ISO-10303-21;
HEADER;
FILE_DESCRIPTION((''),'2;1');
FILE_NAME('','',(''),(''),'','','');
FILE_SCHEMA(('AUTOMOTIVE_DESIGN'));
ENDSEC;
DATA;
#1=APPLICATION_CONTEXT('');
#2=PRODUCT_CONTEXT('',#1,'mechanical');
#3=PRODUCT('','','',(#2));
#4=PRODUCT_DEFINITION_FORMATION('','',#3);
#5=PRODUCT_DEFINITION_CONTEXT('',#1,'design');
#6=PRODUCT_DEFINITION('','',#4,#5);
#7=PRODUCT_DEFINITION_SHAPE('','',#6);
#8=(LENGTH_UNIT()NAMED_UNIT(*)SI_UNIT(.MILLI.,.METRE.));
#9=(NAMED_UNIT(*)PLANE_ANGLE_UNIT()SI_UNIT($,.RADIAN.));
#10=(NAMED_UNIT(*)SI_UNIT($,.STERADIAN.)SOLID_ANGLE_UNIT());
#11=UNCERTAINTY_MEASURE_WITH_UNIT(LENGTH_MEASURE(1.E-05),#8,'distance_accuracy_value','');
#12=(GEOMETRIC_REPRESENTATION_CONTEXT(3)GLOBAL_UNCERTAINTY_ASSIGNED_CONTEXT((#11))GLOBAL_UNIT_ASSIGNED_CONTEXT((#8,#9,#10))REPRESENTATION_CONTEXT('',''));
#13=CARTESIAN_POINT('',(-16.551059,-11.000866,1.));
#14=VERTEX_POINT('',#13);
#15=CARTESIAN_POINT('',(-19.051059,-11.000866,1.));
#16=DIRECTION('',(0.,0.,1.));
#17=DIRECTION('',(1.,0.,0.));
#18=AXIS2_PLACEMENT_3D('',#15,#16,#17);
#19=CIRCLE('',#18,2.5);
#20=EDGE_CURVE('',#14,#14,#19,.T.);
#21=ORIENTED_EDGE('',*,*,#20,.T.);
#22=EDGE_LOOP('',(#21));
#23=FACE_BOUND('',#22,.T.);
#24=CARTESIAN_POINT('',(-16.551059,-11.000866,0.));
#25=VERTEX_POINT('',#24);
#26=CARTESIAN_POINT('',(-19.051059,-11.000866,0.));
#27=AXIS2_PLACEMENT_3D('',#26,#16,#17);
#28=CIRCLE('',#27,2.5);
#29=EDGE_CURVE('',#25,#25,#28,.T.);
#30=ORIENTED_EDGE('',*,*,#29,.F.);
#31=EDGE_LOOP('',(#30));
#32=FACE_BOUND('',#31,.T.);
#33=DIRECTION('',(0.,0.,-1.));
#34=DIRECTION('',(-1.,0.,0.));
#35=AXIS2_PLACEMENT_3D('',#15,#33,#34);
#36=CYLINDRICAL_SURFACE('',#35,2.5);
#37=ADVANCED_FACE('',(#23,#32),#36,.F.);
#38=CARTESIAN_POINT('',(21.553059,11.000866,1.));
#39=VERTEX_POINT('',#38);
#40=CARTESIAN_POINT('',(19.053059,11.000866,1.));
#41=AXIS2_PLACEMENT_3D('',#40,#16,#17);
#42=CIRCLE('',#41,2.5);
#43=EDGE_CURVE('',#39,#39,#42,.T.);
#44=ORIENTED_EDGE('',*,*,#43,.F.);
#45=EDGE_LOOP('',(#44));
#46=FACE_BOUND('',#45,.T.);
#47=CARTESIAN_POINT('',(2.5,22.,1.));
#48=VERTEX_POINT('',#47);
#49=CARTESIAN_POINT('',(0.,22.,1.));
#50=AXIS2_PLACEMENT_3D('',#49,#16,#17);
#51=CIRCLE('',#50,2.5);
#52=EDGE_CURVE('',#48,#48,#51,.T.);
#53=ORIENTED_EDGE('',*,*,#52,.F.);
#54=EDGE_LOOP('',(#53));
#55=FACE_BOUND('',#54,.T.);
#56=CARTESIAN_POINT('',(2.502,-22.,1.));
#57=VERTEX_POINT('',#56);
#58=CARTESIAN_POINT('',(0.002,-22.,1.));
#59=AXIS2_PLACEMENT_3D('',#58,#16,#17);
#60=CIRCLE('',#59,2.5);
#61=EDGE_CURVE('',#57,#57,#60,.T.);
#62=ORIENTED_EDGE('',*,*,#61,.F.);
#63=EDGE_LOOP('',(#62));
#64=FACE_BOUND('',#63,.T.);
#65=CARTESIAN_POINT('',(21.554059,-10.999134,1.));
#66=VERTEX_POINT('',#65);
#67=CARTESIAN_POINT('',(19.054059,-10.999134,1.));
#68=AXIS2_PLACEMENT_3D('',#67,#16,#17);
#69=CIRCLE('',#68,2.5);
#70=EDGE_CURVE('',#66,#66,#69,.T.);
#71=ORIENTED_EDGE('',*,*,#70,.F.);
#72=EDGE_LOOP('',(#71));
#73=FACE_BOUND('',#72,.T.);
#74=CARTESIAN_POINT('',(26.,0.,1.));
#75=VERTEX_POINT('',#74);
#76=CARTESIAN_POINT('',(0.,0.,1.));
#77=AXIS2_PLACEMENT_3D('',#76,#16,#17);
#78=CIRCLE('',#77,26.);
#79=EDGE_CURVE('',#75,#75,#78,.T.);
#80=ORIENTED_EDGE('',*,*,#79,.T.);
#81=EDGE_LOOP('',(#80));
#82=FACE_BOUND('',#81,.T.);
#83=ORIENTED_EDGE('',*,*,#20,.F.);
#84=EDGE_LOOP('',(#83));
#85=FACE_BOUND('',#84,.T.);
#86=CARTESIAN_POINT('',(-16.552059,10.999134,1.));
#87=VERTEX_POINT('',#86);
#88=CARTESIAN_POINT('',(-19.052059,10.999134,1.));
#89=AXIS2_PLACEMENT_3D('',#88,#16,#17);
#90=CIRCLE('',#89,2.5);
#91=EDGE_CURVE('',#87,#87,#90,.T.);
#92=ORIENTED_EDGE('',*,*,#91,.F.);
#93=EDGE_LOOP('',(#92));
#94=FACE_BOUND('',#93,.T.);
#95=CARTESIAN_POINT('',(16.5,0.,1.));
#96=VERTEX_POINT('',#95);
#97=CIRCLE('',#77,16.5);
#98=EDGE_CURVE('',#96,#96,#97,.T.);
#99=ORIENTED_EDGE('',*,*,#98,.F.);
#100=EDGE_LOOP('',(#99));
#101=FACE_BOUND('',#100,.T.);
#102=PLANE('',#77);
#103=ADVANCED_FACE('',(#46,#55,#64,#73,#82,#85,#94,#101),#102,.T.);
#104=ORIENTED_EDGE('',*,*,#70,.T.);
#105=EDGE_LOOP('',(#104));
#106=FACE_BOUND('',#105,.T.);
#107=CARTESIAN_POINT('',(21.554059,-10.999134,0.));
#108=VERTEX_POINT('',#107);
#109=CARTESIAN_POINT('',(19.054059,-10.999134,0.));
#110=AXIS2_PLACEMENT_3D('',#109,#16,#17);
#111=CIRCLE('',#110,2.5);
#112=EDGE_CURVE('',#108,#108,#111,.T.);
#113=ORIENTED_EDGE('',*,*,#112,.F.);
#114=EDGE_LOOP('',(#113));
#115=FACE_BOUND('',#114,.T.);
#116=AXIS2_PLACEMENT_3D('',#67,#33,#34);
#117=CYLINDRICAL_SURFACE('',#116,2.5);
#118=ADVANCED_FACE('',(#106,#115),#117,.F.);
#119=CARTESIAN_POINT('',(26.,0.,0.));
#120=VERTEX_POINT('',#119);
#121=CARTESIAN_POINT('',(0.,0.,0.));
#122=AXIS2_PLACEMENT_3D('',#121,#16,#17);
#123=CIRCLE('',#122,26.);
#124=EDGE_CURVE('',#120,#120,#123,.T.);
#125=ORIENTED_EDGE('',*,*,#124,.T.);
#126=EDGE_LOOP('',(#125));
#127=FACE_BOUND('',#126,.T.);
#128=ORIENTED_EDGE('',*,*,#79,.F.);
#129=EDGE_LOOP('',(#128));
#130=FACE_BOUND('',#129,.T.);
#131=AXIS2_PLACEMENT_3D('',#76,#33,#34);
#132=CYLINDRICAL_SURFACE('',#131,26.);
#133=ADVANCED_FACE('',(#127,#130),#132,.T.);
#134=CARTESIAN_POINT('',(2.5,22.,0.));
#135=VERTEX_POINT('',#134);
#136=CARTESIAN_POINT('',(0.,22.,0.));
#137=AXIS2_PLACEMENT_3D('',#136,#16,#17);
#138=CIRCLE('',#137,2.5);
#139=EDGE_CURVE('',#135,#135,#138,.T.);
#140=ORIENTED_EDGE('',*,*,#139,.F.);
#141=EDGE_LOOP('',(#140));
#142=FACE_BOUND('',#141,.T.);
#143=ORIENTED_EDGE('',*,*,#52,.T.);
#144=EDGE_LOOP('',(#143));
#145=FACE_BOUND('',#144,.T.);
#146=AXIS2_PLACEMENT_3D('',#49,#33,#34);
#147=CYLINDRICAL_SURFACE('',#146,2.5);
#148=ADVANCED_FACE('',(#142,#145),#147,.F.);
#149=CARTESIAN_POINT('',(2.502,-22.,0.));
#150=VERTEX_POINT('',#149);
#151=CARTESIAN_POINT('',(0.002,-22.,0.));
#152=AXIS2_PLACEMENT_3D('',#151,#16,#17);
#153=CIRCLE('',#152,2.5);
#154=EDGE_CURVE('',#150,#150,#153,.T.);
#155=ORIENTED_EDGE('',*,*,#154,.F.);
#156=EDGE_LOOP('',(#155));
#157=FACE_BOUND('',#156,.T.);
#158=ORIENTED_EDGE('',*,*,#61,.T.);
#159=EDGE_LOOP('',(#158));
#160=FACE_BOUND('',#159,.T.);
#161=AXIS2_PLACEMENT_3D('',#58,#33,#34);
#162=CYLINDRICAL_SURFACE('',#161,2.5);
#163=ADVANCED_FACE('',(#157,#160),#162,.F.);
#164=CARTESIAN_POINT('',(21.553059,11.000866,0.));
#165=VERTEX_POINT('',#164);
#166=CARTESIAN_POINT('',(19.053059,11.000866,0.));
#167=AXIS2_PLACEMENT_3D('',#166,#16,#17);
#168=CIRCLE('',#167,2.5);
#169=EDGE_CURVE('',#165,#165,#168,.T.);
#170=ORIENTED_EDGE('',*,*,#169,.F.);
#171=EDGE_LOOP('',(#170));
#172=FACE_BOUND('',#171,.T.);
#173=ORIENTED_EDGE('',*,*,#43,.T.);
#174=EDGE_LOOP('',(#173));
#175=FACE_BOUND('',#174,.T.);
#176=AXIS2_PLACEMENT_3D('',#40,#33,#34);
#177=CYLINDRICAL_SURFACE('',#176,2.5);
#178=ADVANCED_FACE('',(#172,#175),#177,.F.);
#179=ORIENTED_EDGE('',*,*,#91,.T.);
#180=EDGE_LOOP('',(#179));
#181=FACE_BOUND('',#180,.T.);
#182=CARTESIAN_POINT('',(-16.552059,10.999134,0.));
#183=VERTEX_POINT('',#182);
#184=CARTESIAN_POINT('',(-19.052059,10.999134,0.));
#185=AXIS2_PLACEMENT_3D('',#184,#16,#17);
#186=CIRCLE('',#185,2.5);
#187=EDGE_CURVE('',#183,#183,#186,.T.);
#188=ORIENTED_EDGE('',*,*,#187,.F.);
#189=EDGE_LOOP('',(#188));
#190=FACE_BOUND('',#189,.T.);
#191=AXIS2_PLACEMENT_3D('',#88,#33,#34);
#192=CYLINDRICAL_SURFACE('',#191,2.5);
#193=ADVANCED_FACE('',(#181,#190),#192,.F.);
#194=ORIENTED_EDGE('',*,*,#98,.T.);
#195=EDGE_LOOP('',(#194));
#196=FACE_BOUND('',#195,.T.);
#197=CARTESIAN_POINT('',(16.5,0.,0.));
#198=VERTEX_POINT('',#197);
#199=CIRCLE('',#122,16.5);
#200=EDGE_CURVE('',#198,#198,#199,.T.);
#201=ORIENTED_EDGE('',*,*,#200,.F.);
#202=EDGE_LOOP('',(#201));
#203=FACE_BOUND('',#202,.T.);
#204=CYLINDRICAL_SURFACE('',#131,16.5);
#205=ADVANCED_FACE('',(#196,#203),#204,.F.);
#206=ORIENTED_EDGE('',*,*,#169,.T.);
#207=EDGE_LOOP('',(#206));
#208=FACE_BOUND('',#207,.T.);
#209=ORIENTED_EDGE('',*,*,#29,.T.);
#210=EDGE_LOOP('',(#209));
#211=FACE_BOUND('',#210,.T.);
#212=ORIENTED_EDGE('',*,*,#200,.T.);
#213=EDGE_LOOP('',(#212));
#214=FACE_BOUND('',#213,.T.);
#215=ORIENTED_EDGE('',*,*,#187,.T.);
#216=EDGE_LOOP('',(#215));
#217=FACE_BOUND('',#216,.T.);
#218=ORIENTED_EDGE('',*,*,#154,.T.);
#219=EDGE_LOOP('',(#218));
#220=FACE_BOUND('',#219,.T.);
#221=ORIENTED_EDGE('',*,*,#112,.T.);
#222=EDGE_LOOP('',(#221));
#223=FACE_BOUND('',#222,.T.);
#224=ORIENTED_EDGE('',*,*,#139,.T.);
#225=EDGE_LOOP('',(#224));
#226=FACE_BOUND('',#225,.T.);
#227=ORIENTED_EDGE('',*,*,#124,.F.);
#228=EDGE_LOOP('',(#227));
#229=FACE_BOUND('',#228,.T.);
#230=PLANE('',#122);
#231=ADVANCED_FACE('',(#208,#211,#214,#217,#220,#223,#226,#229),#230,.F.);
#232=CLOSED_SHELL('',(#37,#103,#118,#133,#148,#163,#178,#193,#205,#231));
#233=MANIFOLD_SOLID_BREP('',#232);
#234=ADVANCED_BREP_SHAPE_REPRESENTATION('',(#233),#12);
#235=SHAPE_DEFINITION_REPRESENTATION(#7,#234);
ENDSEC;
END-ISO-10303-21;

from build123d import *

# Parameters (mm, degrees)
ESQUISSE1_R        = 26
ESQUISSE1_R_2      = 2.5
ESQUISSE1_R_3      = 16.5
BOSS_EXTRU_1_DEPTH = 1


with BuildPart() as part:
    # Esquisse1 → Boss.-Extru.1 (new body)
    with BuildSketch(Plane.XY):
        Circle(ESQUISSE1_R)
        with Locations((0, 22)):
            Circle(ESQUISSE1_R_2, mode=Mode.SUBTRACT)
        with Locations((19.053058883, 11.000866025)):
            Circle(ESQUISSE1_R_2, mode=Mode.SUBTRACT)
        with Locations((19.054058883, -10.999133975)):
            Circle(ESQUISSE1_R_2, mode=Mode.SUBTRACT)
        with Locations((0.002, -22)):
            Circle(ESQUISSE1_R_2, mode=Mode.SUBTRACT)
        with Locations((-19.051058883, -11.000866025)):
            Circle(ESQUISSE1_R_2, mode=Mode.SUBTRACT)
        with Locations((-19.052058883, 10.999133975)):
            Circle(ESQUISSE1_R_2, mode=Mode.SUBTRACT)
        Circle(ESQUISSE1_R_3, mode=Mode.SUBTRACT)
    extrude(amount=BOSS_EXTRU_1_DEPTH)


solid = part.part
